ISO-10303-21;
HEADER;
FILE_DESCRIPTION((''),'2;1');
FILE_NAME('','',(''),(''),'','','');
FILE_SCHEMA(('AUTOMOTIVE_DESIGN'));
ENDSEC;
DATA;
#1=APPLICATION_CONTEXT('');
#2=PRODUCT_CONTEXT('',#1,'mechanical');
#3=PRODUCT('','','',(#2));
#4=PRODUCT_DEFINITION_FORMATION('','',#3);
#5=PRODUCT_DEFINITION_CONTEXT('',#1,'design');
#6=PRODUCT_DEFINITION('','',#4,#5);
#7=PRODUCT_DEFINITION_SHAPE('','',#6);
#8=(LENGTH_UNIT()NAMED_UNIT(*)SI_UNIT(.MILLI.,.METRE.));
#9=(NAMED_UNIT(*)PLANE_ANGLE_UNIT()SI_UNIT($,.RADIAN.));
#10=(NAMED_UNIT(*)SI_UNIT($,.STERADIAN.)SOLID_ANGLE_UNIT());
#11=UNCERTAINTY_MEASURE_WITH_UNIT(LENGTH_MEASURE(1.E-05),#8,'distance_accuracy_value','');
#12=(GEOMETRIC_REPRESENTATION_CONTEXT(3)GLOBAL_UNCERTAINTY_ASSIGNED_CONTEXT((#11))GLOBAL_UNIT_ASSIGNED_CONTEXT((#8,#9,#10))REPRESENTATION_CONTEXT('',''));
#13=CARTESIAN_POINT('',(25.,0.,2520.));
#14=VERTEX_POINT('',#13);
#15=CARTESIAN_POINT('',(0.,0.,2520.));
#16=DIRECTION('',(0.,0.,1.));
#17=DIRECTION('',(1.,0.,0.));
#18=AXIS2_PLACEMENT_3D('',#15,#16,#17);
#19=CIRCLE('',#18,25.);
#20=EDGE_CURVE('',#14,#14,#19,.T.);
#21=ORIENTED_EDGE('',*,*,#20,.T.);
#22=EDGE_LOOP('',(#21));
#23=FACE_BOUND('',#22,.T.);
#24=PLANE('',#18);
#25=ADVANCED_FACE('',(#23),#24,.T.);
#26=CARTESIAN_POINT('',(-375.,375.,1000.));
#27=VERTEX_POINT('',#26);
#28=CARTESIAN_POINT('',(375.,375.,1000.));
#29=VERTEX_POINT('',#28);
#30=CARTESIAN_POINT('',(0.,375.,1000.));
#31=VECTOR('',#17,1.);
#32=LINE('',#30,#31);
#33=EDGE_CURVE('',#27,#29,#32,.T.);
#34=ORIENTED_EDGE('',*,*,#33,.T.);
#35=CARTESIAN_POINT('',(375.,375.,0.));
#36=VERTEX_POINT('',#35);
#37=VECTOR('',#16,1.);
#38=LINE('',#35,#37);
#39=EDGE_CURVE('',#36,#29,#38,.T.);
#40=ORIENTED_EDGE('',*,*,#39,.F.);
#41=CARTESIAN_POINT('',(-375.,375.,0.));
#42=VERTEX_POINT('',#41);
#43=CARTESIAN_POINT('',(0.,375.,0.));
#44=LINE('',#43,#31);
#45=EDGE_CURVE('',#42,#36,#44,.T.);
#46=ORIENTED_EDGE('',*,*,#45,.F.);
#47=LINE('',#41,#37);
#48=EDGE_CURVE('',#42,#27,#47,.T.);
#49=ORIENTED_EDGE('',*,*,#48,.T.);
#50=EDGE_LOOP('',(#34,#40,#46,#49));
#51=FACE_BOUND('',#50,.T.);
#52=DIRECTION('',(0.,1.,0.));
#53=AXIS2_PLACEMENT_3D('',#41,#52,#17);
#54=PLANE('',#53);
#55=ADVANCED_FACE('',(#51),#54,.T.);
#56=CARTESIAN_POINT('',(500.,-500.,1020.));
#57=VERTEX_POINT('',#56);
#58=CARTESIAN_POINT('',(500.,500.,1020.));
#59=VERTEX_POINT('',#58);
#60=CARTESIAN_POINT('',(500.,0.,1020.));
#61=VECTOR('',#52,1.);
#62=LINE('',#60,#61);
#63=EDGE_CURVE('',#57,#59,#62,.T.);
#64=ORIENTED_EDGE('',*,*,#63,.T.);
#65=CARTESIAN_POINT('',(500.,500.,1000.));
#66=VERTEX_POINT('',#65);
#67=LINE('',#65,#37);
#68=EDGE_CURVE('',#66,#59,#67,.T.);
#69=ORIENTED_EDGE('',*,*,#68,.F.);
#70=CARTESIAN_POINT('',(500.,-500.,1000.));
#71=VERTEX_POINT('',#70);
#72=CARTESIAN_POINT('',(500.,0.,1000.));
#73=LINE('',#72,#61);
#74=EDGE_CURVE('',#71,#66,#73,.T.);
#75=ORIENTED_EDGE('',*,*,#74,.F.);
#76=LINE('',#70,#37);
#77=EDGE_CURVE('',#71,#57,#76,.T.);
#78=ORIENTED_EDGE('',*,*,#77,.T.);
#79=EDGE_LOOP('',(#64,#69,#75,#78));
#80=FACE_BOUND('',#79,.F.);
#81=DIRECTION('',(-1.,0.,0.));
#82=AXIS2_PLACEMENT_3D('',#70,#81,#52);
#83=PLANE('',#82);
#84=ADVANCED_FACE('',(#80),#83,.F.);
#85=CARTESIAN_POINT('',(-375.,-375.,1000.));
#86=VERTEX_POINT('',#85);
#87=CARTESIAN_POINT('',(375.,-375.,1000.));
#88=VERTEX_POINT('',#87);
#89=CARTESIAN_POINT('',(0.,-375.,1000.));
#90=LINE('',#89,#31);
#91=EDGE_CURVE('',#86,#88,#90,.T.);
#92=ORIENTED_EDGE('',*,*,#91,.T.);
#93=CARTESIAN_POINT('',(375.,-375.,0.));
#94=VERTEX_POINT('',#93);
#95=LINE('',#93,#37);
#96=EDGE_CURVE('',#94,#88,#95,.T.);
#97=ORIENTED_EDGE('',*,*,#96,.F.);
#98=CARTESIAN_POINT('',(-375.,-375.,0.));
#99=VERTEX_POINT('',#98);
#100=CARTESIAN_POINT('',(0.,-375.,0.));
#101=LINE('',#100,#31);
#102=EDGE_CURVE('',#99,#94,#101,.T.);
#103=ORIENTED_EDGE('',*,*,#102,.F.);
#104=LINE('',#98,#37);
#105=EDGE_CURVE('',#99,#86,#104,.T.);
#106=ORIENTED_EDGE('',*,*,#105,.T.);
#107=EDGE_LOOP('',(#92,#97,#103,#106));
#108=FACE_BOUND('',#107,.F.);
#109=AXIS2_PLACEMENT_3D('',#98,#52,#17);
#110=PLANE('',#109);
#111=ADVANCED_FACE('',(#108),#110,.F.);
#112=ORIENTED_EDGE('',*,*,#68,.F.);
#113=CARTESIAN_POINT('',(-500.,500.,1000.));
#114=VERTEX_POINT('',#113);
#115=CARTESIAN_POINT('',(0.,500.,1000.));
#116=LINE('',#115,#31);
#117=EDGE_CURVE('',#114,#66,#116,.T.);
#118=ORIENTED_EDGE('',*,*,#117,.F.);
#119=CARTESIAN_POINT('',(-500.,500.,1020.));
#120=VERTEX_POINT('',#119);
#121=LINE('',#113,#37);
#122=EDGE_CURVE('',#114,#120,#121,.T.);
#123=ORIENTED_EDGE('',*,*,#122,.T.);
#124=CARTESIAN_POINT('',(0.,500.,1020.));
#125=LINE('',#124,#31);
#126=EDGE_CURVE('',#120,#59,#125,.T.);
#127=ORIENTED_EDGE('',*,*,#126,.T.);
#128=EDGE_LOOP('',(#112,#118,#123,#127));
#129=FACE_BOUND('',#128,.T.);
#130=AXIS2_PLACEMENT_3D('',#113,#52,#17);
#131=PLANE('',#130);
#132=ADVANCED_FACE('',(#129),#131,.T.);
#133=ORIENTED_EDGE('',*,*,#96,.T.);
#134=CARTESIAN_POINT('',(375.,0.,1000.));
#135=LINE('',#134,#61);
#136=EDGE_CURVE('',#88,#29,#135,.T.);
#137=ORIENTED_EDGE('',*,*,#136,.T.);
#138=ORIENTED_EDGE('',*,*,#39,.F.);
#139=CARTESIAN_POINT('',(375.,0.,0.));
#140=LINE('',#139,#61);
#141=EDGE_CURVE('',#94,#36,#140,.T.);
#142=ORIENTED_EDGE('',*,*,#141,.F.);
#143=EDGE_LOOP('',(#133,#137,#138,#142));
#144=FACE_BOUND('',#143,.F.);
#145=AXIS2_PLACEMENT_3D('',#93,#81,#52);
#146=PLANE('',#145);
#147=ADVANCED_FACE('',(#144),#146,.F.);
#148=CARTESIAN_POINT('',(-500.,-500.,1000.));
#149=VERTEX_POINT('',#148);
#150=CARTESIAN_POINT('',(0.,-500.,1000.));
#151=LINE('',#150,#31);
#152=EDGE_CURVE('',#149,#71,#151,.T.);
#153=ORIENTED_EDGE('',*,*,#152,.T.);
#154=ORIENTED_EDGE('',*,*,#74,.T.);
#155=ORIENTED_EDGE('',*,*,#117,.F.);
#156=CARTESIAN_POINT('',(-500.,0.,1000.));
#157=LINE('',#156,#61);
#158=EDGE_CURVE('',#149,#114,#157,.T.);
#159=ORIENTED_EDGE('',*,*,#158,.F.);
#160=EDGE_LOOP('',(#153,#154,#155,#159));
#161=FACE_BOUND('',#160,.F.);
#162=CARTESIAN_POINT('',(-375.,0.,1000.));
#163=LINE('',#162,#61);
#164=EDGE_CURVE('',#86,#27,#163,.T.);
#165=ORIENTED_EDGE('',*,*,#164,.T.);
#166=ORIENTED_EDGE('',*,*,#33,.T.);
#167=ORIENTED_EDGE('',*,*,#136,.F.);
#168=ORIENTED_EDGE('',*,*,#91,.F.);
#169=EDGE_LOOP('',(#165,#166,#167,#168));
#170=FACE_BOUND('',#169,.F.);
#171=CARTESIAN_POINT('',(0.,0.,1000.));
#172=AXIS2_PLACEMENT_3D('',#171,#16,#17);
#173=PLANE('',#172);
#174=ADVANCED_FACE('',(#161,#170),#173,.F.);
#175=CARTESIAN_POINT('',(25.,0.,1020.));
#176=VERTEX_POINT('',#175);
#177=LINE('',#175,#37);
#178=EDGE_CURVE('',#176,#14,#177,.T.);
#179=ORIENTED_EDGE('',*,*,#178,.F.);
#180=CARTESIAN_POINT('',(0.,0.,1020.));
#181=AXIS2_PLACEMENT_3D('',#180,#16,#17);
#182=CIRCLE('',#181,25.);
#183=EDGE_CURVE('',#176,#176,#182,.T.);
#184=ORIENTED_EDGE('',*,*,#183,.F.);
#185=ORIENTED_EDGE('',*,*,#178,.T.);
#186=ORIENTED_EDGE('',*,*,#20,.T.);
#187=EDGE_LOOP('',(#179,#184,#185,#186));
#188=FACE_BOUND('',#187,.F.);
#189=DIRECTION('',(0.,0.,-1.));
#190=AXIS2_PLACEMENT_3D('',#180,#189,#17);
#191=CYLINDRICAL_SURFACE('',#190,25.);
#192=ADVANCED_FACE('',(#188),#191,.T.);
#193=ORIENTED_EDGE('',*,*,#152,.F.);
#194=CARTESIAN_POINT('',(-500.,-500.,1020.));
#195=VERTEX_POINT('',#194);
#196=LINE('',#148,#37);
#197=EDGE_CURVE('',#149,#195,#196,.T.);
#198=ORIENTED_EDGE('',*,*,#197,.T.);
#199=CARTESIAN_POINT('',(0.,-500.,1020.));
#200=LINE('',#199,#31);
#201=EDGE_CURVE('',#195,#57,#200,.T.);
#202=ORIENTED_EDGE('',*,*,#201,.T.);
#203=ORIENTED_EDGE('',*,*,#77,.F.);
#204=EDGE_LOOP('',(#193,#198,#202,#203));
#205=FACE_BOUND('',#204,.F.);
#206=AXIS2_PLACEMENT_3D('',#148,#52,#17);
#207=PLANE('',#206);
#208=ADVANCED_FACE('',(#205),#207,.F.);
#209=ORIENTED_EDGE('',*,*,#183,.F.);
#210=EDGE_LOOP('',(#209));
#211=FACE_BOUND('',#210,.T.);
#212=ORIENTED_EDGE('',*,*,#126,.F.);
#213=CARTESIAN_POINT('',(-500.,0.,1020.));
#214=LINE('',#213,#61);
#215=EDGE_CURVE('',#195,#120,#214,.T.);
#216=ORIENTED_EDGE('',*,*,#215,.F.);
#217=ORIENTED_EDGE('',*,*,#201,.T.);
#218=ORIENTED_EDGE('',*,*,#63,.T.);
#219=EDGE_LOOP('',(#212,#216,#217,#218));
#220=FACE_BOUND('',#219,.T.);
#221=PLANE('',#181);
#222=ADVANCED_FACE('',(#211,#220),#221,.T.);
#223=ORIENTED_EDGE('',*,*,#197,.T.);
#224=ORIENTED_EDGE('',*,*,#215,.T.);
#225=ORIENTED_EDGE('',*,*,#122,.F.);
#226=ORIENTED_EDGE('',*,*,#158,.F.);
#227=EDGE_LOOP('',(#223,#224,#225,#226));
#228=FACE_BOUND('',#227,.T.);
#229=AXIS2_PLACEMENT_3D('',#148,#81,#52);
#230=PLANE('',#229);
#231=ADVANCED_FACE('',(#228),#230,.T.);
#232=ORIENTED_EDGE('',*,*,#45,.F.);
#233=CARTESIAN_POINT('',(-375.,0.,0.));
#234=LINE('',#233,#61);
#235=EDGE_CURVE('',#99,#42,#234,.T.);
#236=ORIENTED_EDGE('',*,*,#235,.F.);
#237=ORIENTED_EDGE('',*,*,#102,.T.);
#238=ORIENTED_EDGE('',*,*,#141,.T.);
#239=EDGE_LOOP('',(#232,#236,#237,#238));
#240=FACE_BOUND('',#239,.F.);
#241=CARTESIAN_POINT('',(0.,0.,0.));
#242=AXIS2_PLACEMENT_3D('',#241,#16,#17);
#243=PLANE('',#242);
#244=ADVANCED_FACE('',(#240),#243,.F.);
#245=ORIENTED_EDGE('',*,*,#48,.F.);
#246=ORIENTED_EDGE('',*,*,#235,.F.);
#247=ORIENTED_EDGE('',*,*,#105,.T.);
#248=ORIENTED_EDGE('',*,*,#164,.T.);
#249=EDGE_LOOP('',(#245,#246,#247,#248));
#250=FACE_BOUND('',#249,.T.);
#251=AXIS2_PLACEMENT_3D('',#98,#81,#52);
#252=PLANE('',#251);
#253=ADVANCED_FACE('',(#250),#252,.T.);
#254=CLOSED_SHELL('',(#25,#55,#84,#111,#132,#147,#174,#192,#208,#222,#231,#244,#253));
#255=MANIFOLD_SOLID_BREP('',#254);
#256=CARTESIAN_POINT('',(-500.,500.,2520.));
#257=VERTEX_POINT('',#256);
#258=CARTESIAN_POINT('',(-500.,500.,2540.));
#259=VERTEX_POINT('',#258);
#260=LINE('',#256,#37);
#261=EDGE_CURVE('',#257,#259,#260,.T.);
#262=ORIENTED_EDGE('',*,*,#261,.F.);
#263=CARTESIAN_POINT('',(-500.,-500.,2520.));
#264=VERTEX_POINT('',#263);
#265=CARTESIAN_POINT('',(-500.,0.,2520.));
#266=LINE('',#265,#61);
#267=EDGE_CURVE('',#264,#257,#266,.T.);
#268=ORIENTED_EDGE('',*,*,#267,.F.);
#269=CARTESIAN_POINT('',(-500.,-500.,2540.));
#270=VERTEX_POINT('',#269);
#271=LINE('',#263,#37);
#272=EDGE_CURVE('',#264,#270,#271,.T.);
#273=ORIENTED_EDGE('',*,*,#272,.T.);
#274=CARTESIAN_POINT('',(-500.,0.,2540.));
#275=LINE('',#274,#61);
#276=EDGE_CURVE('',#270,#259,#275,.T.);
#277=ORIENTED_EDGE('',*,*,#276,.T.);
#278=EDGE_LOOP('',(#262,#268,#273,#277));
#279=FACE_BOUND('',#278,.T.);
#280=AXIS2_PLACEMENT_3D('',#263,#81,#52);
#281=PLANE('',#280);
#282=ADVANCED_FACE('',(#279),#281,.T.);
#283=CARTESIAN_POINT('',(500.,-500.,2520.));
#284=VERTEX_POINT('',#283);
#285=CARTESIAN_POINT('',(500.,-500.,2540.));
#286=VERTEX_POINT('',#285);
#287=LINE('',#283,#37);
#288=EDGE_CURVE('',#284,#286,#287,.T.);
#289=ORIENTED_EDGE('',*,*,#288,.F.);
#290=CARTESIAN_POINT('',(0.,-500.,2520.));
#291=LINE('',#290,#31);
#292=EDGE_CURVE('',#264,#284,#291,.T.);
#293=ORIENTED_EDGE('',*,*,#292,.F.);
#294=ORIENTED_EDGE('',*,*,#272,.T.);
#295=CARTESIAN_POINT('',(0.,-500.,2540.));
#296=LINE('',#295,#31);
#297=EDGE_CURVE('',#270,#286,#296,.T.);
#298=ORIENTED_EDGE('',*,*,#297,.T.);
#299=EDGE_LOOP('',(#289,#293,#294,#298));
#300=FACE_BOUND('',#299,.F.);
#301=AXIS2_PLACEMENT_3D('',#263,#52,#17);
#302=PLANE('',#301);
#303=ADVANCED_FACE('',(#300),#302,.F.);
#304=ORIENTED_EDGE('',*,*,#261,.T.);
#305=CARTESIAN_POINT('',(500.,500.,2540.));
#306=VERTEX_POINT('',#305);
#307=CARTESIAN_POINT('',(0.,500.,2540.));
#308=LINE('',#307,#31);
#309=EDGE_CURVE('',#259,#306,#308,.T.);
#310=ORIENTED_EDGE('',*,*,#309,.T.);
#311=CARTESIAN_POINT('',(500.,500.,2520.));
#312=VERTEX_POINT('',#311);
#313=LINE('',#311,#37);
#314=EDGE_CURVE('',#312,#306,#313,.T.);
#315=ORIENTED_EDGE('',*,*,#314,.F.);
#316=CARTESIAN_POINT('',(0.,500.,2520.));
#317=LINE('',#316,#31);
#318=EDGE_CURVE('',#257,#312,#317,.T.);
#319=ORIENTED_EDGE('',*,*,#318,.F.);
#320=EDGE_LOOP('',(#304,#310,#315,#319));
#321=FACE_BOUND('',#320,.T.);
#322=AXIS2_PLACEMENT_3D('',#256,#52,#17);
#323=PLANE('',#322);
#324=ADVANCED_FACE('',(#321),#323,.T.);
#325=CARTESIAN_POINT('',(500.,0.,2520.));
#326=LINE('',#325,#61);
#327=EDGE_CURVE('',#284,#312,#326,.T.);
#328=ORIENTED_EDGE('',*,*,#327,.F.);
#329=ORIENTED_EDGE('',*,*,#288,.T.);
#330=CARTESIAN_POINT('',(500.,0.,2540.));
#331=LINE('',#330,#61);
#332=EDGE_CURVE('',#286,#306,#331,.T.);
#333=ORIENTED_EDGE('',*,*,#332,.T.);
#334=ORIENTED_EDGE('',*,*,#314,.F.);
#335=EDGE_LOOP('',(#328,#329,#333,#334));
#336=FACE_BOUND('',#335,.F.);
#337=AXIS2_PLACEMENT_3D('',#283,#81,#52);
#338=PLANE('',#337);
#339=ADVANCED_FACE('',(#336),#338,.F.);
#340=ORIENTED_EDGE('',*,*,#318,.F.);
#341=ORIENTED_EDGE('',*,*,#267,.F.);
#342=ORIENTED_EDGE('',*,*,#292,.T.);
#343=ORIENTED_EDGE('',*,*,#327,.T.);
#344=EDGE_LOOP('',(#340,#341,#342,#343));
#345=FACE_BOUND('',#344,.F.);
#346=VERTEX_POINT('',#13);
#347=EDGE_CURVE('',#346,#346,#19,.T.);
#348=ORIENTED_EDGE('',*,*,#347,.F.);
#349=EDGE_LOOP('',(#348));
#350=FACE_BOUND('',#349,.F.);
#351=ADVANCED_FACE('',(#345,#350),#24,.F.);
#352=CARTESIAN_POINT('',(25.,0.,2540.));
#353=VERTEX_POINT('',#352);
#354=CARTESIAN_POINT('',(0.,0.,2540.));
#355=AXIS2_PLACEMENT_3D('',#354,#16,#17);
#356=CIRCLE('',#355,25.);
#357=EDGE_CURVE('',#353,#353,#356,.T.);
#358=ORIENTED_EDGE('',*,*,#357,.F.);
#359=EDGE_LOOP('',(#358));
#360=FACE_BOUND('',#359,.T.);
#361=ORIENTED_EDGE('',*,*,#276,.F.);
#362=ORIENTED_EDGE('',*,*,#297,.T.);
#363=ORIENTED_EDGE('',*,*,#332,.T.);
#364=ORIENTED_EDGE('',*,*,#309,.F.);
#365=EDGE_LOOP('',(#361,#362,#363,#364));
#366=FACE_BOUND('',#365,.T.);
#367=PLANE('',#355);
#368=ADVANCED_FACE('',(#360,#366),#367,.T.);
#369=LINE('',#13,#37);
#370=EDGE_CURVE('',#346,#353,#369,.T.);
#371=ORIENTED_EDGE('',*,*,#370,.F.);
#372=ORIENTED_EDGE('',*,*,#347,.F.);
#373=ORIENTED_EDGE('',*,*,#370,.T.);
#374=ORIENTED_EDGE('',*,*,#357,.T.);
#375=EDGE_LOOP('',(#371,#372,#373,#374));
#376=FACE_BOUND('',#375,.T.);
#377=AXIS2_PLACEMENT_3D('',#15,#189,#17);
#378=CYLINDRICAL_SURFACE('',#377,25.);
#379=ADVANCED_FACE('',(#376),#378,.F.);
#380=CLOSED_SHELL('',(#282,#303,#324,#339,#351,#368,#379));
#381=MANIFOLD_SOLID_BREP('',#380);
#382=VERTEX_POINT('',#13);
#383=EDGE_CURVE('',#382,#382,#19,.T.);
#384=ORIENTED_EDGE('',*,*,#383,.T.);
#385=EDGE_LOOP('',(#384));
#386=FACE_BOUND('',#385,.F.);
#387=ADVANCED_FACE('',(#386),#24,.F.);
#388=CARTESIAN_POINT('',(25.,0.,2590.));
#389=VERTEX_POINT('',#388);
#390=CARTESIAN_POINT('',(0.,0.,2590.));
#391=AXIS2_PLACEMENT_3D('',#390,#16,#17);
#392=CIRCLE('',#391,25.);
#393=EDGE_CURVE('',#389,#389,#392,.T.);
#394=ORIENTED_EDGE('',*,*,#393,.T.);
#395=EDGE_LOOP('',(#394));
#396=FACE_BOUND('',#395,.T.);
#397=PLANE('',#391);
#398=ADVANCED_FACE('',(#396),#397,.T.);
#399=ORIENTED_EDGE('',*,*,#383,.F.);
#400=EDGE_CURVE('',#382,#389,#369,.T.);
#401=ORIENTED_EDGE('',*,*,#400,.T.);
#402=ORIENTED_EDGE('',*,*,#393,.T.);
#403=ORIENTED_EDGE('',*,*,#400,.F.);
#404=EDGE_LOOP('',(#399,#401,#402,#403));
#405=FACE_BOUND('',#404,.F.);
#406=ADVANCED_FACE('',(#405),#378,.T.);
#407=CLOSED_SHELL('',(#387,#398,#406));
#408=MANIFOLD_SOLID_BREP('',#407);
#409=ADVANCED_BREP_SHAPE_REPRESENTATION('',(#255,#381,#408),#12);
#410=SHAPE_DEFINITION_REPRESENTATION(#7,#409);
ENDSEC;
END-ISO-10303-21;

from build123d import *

# Parameters (mm, degrees)
F0_W     = 750
F0_H     = 750
F1_DEPTH = 1000
F2_W     = 1000
F2_H     = 1000
F2_W_2   = 750
F2_H_2   = 750
F3_DEPTH = 20
F4_R     = 25
F5_DEPTH = 1500
F6_W     = 1000
F6_H     = 1000
F6_R     = 25
F7_DEPTH = 20
F8_R     = 25
F9_DEPTH = 70


with BuildPart() as f1:
    # F0 (on Top) → F1 (new body)
    with BuildSketch(Plane.XY):
        Rectangle(F0_W, F0_H)
    extrude(amount=F1_DEPTH)

    # F2 (on face) → F3 (join)
    with BuildSketch(Plane.XY.offset(1000)):
        Rectangle(F2_W, F2_H)
        Rectangle(F2_W_2, F2_H_2, mode=Mode.SUBTRACT)
        Rectangle(F2_W_2, F2_H_2)
        Rectangle(F2_W, F2_H)
    extrude(amount=F3_DEPTH)

    # F4 (on face) → F5 (join)
    with BuildSketch(Plane.XY.offset(1020)):
        Circle(F4_R)
    extrude(amount=F5_DEPTH)


with BuildPart() as f7:
    # F6 (on face) → F7 (new body)
    with BuildSketch(Plane.XY.offset(2520)):
        Rectangle(F6_W, F6_H)
        Circle(F6_R, mode=Mode.SUBTRACT)
    extrude(amount=F7_DEPTH)


with BuildPart() as f9:
    # F8 (on face) → F9 (new body)
    with BuildSketch(Plane.XY.offset(2520)):
        Circle(F8_R)
    extrude(amount=F9_DEPTH)


solid = Compound([f1.part, f7.part, f9.part])
